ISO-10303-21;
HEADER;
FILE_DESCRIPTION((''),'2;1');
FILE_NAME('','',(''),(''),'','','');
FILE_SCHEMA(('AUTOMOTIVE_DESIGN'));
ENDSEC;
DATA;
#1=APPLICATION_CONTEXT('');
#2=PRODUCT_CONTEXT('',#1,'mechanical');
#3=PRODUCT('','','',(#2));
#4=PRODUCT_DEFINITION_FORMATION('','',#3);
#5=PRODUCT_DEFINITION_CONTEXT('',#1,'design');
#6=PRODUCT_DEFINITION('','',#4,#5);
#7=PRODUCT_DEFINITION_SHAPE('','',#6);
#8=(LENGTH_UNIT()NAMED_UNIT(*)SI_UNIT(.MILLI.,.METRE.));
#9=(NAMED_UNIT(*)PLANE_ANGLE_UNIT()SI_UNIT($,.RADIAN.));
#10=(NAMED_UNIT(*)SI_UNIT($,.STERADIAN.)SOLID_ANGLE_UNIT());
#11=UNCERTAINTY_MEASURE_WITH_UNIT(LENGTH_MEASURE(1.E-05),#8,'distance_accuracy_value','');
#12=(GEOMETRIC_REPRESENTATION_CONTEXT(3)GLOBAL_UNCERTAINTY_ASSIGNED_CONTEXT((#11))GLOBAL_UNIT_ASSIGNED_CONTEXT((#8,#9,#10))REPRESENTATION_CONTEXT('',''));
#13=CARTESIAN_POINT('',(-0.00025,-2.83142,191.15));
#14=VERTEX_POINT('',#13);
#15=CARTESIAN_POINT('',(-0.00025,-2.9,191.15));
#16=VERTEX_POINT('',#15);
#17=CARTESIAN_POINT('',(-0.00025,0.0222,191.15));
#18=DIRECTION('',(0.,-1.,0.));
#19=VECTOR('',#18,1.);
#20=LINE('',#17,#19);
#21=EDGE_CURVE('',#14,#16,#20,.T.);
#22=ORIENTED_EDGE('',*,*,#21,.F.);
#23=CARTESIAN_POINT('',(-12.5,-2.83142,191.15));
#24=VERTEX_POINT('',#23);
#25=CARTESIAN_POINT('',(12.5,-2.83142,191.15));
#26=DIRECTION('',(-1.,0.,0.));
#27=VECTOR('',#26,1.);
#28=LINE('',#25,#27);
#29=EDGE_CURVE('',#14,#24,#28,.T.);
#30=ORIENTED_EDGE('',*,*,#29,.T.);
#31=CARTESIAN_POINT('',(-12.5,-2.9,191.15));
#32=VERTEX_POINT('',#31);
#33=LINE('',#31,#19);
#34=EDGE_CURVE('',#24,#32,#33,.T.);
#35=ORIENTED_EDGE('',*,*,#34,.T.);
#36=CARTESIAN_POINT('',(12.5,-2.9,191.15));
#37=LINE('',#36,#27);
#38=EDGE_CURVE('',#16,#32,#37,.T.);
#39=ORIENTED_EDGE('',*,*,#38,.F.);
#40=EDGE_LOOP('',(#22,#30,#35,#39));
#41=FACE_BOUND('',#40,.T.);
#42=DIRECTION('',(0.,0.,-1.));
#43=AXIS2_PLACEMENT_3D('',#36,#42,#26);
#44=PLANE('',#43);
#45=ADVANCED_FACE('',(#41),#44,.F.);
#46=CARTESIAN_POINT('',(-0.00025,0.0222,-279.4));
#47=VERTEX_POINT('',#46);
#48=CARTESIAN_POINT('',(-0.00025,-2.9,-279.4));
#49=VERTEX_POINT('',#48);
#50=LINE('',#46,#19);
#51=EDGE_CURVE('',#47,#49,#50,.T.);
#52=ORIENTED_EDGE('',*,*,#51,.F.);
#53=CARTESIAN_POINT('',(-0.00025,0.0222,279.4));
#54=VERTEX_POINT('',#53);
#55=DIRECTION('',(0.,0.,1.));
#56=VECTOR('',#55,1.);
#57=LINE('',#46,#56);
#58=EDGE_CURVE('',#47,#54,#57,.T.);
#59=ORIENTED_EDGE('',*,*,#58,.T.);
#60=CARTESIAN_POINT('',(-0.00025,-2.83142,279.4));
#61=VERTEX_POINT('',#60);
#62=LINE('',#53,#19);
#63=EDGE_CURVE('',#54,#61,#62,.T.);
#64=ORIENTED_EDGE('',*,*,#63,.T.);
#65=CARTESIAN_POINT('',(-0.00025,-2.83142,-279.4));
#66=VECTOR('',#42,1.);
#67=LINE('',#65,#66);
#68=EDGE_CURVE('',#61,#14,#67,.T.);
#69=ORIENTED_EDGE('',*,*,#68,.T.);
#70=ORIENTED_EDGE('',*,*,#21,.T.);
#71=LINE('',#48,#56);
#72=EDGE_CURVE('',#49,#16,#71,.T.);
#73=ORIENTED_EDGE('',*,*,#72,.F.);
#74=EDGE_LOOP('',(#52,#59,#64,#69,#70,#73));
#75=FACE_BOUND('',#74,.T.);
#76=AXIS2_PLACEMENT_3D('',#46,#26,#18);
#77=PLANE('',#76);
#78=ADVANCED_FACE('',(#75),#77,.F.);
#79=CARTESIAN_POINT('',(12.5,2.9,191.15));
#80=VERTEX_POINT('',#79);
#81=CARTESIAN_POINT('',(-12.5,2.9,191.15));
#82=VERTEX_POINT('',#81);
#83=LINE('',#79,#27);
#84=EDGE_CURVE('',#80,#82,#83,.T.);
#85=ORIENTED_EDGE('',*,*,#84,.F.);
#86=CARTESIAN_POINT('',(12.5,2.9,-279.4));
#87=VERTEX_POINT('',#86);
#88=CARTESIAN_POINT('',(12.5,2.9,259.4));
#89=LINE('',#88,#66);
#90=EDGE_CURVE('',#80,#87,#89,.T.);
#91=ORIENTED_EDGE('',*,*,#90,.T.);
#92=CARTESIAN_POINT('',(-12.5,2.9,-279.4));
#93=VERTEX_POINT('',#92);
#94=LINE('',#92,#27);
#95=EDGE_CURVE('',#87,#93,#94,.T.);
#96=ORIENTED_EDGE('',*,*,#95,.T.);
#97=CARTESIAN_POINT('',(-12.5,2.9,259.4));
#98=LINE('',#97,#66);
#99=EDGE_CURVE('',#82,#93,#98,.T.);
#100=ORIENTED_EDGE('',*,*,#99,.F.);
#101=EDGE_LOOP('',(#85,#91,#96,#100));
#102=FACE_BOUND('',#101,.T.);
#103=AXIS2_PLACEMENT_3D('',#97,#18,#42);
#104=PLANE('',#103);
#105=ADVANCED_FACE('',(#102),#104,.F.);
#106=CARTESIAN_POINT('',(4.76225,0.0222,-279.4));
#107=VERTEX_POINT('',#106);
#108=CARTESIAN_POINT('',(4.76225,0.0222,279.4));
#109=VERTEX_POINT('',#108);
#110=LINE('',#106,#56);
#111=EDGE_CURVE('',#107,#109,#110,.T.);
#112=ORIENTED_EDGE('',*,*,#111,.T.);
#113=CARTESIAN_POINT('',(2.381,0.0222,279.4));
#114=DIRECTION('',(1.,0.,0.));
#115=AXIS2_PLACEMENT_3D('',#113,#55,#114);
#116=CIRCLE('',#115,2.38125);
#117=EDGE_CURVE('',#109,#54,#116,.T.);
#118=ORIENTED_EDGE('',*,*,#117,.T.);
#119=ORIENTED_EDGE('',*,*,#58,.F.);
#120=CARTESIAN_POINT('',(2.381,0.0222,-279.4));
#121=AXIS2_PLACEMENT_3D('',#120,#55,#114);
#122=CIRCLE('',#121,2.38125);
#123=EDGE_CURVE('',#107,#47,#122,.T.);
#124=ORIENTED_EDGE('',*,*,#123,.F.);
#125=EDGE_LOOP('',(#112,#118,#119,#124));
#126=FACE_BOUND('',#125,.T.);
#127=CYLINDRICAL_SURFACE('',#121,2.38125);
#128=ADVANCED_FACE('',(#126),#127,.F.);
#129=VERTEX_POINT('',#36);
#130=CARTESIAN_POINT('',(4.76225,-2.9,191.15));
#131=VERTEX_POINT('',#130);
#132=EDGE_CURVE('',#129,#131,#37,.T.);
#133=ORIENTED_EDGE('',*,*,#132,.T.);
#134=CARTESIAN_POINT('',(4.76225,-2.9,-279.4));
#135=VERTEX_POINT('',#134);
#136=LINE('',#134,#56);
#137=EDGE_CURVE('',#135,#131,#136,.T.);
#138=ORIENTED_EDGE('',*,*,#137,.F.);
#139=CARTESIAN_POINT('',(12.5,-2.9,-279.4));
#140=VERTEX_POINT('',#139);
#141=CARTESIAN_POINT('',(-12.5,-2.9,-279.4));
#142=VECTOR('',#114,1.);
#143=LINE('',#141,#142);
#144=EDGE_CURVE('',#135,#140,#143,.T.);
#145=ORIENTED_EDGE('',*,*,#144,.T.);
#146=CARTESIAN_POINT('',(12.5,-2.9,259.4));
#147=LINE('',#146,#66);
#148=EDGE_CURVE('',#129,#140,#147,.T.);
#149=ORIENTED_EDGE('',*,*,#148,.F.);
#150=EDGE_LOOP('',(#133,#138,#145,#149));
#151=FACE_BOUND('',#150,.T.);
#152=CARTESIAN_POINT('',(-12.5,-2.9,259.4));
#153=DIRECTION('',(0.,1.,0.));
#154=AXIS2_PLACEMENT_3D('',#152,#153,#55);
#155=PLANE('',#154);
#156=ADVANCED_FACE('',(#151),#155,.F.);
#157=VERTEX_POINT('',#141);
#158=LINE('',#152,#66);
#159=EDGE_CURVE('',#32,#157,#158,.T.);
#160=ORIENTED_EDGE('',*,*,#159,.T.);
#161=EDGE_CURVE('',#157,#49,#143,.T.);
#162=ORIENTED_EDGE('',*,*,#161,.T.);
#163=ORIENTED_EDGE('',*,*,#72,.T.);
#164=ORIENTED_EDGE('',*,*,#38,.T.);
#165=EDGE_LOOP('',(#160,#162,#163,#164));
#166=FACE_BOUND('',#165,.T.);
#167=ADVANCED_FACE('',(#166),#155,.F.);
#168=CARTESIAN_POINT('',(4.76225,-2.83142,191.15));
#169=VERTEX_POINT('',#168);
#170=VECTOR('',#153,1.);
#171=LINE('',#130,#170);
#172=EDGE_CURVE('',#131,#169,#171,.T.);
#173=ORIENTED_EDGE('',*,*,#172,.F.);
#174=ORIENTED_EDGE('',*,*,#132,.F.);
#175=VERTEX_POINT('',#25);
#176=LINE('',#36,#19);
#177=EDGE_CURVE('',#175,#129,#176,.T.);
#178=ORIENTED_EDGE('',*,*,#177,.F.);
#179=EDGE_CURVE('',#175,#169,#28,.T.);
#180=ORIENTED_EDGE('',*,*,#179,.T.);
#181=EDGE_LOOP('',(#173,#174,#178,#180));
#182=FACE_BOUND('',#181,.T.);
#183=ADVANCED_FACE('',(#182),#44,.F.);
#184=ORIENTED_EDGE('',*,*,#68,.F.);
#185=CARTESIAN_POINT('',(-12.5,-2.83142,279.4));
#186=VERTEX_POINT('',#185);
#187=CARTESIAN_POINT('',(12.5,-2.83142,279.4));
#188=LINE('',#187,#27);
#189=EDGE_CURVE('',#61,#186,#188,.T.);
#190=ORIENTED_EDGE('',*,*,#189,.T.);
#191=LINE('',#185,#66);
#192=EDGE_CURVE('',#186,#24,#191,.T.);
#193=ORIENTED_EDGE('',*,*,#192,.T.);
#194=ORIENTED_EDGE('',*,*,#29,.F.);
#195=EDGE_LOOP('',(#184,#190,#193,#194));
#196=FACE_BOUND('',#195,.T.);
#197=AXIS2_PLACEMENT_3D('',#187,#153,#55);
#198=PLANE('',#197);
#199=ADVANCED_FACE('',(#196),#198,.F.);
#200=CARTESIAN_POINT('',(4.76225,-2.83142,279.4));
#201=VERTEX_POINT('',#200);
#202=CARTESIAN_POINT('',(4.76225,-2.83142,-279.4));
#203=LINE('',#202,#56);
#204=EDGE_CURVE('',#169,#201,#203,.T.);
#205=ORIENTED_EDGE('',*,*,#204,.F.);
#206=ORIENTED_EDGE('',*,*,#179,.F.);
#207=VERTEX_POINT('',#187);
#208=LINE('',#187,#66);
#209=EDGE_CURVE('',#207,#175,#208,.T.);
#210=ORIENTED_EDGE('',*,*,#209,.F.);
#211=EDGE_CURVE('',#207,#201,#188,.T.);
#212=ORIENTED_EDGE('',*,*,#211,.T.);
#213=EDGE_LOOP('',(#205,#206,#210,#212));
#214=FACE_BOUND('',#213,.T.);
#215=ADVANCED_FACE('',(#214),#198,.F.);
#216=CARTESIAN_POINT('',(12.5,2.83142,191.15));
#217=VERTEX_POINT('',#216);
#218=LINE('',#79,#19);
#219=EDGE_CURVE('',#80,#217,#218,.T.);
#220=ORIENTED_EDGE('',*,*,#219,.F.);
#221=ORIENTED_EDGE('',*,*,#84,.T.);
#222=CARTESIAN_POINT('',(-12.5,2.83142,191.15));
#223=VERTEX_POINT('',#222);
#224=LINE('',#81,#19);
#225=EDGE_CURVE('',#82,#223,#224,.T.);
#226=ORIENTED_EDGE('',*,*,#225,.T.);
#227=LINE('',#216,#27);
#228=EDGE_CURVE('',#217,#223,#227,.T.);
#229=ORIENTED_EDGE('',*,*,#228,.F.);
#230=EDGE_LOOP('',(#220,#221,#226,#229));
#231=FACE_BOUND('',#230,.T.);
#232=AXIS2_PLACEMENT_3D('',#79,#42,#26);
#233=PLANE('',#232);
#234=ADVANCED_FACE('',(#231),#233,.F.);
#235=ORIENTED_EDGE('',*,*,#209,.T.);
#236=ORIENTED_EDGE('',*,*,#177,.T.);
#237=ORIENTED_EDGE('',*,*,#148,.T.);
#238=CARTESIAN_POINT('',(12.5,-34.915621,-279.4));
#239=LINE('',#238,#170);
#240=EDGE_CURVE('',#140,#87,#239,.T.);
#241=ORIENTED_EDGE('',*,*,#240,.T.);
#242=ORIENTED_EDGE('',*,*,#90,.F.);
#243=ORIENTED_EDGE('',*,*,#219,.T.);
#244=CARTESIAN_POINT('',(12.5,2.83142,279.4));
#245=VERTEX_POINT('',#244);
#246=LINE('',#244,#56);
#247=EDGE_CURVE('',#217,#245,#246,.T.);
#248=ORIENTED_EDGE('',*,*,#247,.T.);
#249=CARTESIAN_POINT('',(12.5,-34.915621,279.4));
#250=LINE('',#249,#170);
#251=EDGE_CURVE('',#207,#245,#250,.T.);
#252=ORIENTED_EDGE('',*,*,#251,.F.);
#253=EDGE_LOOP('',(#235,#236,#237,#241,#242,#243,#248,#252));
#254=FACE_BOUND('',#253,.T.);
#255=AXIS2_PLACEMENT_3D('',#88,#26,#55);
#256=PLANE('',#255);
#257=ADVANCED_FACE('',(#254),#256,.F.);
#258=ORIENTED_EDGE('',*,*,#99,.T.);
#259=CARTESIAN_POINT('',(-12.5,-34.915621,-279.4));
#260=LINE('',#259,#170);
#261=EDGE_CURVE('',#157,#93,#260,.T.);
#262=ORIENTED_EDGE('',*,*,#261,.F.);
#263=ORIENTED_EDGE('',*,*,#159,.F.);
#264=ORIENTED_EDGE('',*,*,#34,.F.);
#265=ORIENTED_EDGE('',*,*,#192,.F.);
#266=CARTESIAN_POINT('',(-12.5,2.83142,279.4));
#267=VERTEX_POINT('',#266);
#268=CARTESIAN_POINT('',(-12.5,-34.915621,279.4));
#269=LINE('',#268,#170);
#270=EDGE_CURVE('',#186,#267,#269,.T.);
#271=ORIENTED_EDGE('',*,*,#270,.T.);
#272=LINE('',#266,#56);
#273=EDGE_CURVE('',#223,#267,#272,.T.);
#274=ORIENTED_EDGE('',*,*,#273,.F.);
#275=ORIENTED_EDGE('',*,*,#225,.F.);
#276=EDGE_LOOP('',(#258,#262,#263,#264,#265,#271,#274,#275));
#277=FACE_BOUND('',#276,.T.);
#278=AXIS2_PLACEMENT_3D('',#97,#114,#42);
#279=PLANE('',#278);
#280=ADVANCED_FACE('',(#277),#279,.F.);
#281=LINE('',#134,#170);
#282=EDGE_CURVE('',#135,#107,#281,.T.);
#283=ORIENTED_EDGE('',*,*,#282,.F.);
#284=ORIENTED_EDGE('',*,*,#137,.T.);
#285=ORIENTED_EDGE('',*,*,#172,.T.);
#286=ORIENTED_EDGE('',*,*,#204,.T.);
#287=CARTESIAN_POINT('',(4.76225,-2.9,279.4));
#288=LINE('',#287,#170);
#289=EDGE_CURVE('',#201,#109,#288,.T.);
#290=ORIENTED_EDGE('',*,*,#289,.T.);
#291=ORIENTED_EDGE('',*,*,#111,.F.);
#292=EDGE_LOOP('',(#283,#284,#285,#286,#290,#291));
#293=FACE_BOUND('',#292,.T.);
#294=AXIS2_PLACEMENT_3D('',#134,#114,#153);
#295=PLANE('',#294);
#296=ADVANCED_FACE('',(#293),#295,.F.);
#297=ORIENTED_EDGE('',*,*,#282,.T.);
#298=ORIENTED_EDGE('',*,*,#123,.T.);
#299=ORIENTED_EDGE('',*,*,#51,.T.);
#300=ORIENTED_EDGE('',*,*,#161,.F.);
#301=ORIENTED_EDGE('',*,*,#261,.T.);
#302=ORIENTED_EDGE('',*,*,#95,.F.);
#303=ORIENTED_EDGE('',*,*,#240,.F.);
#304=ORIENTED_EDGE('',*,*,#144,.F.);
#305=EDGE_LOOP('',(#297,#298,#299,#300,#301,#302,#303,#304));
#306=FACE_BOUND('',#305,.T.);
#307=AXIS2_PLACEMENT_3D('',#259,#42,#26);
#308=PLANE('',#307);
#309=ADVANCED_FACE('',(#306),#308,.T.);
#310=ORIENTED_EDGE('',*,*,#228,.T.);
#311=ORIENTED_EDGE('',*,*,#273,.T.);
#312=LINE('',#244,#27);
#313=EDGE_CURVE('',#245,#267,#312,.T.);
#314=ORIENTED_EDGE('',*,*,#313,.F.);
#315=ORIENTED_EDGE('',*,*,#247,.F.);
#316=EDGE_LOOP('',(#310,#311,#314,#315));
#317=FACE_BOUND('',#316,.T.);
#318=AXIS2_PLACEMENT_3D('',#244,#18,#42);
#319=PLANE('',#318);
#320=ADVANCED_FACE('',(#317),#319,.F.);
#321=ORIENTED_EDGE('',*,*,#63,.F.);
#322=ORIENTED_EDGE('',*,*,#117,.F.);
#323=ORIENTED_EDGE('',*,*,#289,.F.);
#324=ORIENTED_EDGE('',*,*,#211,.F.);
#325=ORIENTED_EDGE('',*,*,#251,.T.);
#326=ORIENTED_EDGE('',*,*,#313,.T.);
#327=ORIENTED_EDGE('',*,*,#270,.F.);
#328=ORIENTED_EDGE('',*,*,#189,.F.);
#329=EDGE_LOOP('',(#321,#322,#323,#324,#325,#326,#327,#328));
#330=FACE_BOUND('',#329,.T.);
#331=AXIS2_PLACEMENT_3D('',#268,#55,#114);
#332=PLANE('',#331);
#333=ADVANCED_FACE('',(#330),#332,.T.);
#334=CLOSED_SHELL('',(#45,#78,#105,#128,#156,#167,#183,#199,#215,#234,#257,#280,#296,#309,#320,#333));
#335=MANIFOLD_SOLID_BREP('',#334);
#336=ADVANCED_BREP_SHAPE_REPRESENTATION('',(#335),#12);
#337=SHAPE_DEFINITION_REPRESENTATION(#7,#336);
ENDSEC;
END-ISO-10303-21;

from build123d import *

# Parameters (mm, degrees)
SKETCH1_W           = 25
SKETCH1_H           = 5.8
EXTRUDE1_DEPTH      = 259.4
SKETCH6_W           = 25
SKETCH6_H           = 20
BOSS_EXTRUDE2_DEPTH = 5.8
CUT_EXTRUDE2_DEPTH  = 559.8
SKETCH8_W           = 88.25
SKETCH8_H           = 0.06858
CUT_EXTRUDE3_DEPTH  = 26


with BuildPart() as part:
    # Sketch1 → Extrude1 (new body, symmetric)
    with BuildSketch(Plane.XY):
        Rectangle(SKETCH1_W, SKETCH1_H)
    extrude(amount=EXTRUDE1_DEPTH, both=True)

    # Sketch6 → Boss-Extrude2 (add)
    with BuildSketch(Plane(origin=(0, 2.9, 0), x_dir=(1, 0, 0), z_dir=(0, 1, 0))):
        with Locations((0, 269.4)):
            Rectangle(SKETCH6_W, SKETCH6_H)
        with Locations((0, -269.4)):
            Rectangle(SKETCH6_W, SKETCH6_H)
    extrude(amount=-BOSS_EXTRUDE2_DEPTH)

    # Sketch7 → Cut-Extrude2 (cut, through all)
    with BuildSketch(Plane.XY.offset(279.4)):
        with BuildLine():
            Line((-0.00025, 0.0222), (-0.00025, -2.9))
            Line((-0.00025, -2.9), (4.76225, -2.9))
            Line((4.76225, -2.9), (4.76225, 0.0222))
            ThreePointArc((4.76225, 0.0222), (2.381, 2.40345), (-0.00025, 0.0222))
        make_face()
    extrude(amount=-CUT_EXTRUDE2_DEPTH, mode=Mode.SUBTRACT)

    # Sketch8 → Cut-Extrude3 (cut, through all)
    with BuildSketch(Plane.ZY.offset(12.5)):
        with Locations((235.275, 2.86571)):
            Rectangle(SKETCH8_W, SKETCH8_H)
        with Locations((235.275, -2.86571)):
            Rectangle(SKETCH8_W, SKETCH8_H)
    extrude(amount=-CUT_EXTRUDE3_DEPTH, mode=Mode.SUBTRACT)


solid = part.part
